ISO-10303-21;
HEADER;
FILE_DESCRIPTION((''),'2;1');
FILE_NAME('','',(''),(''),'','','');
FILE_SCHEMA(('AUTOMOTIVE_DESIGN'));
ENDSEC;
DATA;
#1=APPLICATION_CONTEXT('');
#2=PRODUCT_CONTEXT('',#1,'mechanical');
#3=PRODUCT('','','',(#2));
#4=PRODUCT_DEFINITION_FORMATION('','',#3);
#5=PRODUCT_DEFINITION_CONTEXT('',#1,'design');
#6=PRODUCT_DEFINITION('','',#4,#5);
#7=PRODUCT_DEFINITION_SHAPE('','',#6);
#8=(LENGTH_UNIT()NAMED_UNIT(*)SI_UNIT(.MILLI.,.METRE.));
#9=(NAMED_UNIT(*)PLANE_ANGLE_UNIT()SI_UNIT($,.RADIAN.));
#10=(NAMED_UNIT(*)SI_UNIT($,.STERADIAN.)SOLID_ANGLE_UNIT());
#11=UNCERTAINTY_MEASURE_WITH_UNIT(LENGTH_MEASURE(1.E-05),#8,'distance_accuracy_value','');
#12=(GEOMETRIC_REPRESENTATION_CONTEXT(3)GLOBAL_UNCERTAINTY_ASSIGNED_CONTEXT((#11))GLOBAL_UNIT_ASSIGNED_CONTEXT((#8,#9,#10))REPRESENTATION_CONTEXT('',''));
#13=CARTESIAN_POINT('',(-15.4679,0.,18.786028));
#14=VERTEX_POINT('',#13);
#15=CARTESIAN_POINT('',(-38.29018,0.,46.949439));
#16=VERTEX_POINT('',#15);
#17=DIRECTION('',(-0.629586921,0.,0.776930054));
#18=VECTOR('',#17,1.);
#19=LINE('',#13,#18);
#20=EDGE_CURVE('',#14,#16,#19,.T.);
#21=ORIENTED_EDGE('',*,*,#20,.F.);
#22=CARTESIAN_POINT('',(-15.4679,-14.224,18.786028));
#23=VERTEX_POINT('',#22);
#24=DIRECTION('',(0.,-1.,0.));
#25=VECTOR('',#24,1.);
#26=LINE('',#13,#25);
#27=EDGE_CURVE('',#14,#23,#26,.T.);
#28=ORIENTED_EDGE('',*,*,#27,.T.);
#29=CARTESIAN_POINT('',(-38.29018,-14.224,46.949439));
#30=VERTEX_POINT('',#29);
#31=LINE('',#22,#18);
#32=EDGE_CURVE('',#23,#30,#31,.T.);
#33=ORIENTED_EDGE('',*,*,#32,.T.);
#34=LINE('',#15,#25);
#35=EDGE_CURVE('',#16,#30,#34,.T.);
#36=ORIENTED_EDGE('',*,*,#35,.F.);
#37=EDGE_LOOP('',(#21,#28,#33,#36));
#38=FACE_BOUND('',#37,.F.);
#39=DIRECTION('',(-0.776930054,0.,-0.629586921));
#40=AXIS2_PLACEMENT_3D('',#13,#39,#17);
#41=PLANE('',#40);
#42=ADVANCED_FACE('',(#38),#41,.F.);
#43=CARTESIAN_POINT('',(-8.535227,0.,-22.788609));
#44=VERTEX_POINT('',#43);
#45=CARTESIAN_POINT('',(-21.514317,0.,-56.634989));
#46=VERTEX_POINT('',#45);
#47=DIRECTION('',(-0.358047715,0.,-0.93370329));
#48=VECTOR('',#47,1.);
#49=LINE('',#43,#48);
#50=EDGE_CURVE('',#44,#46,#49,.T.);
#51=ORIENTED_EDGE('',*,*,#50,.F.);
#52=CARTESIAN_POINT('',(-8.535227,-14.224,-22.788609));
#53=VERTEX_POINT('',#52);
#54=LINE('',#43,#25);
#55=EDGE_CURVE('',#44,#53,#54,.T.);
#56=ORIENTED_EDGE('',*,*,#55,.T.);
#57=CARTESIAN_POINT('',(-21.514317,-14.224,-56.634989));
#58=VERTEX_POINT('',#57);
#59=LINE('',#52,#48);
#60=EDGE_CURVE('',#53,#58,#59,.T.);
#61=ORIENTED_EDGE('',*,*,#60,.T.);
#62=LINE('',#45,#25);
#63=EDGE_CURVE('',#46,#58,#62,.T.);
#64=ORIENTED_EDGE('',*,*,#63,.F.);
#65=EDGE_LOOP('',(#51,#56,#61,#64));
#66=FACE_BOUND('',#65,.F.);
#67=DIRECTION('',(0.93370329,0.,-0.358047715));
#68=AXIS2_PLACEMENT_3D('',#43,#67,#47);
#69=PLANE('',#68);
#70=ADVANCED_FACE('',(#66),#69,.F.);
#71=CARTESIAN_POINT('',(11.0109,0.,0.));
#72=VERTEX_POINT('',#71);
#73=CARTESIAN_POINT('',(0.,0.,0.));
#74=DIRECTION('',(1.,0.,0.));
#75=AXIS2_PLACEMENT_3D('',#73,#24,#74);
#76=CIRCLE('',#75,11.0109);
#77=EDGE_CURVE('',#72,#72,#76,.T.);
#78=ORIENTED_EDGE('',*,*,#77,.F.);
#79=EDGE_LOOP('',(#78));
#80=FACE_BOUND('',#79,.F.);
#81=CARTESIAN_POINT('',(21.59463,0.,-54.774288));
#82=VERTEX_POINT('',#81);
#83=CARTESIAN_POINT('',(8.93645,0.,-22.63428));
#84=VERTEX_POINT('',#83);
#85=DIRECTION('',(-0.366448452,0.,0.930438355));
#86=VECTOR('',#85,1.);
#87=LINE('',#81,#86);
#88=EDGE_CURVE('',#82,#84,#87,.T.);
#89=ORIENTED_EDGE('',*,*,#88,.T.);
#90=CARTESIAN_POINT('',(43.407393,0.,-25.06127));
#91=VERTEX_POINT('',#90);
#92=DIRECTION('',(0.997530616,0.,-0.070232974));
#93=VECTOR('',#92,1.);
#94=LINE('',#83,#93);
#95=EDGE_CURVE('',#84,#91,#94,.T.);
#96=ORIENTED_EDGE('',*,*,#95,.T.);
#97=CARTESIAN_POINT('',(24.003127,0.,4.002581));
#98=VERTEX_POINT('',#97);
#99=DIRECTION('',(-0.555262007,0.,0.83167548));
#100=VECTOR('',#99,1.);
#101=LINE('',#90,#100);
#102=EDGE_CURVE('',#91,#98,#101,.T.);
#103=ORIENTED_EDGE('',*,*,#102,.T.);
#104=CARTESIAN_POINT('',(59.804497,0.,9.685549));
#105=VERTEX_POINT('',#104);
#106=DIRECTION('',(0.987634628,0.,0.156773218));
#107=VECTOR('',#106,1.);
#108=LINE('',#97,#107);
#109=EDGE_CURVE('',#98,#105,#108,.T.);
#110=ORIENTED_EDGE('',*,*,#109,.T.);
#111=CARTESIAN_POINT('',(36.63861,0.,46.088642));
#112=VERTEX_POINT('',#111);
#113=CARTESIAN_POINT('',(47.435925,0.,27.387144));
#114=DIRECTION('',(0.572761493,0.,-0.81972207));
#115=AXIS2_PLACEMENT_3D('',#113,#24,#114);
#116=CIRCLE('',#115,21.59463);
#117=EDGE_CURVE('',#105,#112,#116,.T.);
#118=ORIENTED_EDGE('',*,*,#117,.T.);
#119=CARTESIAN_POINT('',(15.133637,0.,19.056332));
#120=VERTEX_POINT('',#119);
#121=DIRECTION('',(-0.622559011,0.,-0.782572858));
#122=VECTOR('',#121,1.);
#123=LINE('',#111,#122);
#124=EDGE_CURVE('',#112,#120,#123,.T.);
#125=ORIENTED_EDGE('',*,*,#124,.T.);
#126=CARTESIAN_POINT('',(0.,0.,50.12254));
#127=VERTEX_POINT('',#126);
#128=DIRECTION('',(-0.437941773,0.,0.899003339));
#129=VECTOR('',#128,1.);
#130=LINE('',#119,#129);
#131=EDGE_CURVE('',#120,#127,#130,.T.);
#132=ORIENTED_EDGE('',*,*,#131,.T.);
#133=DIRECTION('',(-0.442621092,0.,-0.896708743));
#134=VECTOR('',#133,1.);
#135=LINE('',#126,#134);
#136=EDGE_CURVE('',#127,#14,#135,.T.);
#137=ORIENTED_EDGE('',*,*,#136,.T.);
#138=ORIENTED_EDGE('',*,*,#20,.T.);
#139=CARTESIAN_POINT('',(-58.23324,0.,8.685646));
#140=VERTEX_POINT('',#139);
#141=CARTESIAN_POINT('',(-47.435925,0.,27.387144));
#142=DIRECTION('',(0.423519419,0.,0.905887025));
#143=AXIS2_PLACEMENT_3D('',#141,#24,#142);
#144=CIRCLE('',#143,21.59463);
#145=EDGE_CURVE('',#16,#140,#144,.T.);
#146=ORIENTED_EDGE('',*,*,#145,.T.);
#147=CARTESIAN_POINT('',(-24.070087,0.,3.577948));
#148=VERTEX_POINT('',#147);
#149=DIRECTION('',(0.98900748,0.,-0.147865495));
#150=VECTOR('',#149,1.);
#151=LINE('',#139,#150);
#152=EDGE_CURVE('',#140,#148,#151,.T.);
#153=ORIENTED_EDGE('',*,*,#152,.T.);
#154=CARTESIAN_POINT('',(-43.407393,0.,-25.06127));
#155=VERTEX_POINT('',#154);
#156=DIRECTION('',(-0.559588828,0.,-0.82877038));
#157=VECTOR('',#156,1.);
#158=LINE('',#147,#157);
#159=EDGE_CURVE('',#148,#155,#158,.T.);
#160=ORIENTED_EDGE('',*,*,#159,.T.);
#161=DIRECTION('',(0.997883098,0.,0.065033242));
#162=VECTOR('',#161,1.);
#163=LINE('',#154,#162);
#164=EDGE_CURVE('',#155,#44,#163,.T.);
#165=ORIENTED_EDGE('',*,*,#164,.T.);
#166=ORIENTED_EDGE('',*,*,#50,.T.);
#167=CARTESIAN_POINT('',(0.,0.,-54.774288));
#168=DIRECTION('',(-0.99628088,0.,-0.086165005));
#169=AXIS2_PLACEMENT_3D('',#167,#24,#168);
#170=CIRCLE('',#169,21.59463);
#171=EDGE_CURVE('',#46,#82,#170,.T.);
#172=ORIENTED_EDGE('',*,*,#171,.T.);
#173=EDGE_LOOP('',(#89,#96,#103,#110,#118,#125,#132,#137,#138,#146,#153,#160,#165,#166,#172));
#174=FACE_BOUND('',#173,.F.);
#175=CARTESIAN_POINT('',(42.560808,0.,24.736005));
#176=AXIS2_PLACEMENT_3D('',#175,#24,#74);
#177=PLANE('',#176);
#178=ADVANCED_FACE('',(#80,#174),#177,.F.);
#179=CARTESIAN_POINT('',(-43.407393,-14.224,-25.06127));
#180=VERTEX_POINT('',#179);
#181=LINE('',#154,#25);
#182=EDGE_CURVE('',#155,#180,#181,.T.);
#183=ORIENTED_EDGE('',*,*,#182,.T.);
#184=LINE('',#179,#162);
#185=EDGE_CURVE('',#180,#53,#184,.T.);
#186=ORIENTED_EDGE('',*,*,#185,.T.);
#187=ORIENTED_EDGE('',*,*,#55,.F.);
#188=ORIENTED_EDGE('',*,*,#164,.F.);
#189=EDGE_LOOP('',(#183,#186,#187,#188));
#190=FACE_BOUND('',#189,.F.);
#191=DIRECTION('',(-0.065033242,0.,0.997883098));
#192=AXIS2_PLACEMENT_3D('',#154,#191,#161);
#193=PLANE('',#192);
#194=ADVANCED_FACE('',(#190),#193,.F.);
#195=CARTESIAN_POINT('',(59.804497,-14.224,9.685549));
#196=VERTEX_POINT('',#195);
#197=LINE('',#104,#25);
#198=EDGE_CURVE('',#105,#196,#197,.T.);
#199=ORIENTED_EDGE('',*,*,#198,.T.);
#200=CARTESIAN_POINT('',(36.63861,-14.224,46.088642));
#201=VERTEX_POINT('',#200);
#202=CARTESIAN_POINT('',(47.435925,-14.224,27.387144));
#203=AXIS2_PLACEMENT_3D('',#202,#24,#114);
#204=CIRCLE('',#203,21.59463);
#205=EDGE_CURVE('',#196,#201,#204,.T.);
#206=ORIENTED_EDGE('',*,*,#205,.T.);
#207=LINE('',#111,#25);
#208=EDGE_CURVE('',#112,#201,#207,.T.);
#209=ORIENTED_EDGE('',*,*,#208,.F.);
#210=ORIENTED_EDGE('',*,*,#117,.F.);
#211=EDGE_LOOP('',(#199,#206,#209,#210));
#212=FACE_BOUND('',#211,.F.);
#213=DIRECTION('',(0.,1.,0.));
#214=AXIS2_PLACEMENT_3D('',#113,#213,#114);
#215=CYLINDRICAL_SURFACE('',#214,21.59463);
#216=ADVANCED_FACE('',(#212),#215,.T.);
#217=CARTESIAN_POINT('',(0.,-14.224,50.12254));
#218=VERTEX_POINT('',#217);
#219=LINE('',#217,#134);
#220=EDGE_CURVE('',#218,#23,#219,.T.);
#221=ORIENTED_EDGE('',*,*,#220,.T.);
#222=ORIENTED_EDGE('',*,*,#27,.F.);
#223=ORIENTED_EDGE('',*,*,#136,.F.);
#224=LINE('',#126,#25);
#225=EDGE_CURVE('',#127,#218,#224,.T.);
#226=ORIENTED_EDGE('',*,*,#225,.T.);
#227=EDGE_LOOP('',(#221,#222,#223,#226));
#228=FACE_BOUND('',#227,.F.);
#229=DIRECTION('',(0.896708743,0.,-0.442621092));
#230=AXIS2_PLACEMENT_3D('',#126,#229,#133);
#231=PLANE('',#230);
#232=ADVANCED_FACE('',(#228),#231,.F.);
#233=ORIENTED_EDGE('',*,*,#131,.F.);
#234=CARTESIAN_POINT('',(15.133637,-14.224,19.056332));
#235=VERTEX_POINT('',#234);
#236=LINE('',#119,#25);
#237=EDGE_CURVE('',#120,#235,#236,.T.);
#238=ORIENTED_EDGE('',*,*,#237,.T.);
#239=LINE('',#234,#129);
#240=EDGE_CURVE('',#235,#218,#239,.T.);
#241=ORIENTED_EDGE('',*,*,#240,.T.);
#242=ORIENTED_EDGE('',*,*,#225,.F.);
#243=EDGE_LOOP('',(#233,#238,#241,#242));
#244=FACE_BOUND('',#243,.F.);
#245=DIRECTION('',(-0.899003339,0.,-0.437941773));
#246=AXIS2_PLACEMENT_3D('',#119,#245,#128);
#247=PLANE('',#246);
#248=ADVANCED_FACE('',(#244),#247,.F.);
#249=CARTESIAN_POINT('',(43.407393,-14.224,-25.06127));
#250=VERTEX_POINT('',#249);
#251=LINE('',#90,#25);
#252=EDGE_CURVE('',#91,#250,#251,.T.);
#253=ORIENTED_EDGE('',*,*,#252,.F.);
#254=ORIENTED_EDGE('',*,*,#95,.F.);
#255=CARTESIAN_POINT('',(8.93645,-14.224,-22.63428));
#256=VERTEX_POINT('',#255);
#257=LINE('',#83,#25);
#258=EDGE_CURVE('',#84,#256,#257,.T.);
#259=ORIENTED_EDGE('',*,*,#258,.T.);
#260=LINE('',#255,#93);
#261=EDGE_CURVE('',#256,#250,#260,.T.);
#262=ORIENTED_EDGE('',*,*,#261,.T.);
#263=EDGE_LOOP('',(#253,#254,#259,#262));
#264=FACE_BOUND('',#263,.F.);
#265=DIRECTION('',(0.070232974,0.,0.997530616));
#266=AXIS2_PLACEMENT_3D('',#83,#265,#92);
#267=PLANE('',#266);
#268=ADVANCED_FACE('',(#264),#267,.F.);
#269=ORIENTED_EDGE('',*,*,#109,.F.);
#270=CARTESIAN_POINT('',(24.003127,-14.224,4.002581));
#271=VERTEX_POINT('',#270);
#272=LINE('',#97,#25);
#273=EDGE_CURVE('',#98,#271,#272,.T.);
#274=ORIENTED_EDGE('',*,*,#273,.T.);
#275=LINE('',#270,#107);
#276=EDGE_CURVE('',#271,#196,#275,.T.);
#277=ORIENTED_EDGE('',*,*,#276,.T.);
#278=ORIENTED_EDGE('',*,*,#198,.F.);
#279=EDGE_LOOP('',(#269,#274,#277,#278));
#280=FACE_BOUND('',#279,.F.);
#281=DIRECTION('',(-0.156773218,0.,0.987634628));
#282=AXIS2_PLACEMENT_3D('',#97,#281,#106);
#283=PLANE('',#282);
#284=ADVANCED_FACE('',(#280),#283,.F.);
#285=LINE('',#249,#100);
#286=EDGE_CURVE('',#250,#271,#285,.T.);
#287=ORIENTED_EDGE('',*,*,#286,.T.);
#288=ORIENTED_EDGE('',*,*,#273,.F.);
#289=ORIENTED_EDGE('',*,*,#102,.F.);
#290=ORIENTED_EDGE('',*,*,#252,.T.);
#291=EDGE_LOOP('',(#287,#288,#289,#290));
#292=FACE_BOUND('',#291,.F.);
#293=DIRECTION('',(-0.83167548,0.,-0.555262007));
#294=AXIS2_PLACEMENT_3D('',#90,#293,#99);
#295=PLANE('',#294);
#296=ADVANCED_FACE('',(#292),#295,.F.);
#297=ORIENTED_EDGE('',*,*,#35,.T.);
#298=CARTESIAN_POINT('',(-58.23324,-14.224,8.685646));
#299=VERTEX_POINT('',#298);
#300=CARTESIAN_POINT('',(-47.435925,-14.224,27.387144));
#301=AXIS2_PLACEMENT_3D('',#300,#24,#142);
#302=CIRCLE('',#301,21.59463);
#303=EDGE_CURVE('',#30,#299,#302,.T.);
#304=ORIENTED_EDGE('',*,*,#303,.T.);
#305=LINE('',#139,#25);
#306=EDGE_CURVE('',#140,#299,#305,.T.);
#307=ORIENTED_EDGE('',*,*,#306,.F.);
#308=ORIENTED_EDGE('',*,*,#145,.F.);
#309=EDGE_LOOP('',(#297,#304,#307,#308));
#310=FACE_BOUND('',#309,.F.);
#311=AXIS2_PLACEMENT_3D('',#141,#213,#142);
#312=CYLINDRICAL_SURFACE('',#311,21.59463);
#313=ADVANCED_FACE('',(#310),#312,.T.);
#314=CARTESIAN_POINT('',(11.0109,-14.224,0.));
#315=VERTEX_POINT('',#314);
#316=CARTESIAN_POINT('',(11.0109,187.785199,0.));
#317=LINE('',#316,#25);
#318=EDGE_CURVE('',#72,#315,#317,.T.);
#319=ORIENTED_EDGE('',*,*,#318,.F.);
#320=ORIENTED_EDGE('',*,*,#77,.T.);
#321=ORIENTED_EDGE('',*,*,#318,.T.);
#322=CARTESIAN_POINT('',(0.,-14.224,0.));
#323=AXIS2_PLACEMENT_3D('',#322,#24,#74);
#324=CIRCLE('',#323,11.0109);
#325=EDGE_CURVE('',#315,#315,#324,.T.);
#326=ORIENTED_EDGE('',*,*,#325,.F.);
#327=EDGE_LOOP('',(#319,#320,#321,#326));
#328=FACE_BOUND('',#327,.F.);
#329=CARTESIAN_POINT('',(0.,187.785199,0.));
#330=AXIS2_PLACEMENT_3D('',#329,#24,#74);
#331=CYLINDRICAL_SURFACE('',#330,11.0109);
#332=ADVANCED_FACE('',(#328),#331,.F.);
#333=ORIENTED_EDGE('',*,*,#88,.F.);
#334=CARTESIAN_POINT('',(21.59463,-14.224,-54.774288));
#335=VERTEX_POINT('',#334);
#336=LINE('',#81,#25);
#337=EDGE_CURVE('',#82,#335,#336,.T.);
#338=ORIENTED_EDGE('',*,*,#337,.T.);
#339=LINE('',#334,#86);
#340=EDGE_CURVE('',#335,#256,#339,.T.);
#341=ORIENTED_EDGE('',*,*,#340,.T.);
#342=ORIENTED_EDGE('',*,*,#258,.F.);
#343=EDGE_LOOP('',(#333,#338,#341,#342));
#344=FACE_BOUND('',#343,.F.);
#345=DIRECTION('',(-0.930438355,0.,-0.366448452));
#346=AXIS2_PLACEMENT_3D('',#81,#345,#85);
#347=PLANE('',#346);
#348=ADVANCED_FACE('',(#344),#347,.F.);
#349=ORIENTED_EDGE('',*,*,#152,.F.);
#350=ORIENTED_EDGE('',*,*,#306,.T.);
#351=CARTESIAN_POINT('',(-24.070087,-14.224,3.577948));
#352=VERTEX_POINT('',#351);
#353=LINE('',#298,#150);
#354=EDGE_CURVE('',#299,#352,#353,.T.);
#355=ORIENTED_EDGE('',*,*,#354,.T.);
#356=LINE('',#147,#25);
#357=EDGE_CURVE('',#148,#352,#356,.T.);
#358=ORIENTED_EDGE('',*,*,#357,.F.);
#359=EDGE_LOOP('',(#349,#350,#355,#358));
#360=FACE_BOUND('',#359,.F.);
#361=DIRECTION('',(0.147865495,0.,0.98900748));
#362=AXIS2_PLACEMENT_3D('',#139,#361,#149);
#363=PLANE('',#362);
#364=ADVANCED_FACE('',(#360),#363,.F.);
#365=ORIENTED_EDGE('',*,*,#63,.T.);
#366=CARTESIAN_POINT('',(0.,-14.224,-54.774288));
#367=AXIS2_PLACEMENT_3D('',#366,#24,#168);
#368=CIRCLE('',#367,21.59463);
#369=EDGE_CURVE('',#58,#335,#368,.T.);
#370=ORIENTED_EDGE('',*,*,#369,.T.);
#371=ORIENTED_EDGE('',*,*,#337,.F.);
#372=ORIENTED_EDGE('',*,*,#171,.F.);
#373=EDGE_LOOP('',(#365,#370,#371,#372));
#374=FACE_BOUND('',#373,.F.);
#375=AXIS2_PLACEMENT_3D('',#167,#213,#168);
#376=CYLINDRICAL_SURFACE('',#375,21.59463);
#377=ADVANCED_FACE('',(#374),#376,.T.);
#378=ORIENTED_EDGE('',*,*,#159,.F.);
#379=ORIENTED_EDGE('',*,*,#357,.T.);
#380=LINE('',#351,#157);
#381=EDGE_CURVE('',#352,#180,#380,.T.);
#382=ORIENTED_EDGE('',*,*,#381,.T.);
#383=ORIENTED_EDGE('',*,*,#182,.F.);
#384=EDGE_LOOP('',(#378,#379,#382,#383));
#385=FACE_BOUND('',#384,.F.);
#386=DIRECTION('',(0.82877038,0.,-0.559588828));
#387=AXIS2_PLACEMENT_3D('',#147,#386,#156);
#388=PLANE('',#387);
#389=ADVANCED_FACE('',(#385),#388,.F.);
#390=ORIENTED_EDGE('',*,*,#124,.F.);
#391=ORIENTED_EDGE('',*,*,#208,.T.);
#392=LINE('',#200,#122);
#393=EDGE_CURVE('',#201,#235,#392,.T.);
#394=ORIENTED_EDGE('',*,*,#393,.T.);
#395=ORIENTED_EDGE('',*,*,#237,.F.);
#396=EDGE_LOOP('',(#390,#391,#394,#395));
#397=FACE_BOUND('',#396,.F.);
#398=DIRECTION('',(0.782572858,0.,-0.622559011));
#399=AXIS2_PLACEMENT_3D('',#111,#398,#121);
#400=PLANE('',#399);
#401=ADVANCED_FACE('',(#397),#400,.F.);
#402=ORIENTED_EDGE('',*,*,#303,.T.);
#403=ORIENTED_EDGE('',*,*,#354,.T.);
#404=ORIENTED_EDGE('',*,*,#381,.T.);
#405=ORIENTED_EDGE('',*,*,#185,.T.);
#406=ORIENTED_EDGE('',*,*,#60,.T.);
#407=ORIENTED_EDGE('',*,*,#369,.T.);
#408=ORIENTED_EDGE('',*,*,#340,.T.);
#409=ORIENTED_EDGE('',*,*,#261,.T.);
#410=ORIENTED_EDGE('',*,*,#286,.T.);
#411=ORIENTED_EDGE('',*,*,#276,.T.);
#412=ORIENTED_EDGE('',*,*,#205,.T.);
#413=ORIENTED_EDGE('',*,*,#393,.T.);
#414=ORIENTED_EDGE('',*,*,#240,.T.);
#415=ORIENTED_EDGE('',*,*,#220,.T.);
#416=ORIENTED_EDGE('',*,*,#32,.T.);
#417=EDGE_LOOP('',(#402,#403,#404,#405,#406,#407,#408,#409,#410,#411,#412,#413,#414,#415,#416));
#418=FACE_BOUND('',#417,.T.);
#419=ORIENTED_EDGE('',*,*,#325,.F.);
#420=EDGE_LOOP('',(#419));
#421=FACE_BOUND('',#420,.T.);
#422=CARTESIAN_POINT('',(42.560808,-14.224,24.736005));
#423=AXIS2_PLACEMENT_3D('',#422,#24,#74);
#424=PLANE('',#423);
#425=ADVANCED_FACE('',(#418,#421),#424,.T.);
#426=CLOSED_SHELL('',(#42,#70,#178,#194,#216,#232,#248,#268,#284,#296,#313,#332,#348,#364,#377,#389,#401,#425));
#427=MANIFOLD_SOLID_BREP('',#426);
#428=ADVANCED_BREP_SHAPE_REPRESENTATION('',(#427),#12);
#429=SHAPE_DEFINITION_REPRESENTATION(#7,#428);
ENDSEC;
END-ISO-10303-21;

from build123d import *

# Parameters (mm, degrees)
F2_DEPTH = 14.224
F4_D     = 22.0218


with BuildPart() as f2:
    # F0 (on Front) → F2 (new body)
    with BuildSketch(Plane.XZ):
        with BuildLine():
            ThreePointArc((21.074347, 12.16728), (22.905463, 8.21648), (24.003127, 4.002581))
            Line((24.003127, 4.002581), (59.804497, 9.685549))
            ThreePointArc((59.804497, 9.685549), (65.654418, 38.980872), (36.63861, 46.088642))
            Line((36.63861, 46.088642), (15.133637, 19.056332))
            ThreePointArc((15.133637, 19.056332), (18.428762, 15.891869), (21.074347, 12.16728))
        make_face()
        with BuildLine():
            ThreePointArc((24.003127, 4.002581), (24.25156, 2.00814), (24.334559, 0))
            ThreePointArc((24.334559, 0), (20.120081, -13.687699), (8.93645, -22.63428))
            Line((8.93645, -22.63428), (43.407393, -25.06127))
            Line((43.407393, -25.06127), (24.003127, 4.002581))
        make_face()
        with BuildLine():
            ThreePointArc((8.93645, -22.63428), (20.120081, -13.687699), (24.334559, 0))
            ThreePointArc((24.334559, 0), (24.25156, 2.00814), (24.003127, 4.002581))
            Line((24.003127, 4.002581), (0, 0))
            Line((0, 0), (8.93645, -22.63428))
        make_face()
        with BuildLine():
            Line((-15.4679, 18.786028), (0, 0))
            Line((0, 0), (15.133637, 19.056332))
            ThreePointArc((15.133637, 19.056332), (-0.21494, 24.33361), (-15.4679, 18.786028))
        make_face()
        with BuildLine():
            Line((-24.070087, 3.577948), (0, 0))
            Line((0, 0), (-21.074347, 12.16728))
            ThreePointArc((-21.074347, 12.16728), (-22.977143, 8.013842), (-24.070087, 3.577948))
        make_face()
        with BuildLine():
            Line((-21.074347, 12.16728), (0, 0))
            Line((0, 0), (-15.4679, 18.786028))
            ThreePointArc((-15.4679, 18.786028), (-18.568412, 15.728473), (-21.074347, 12.16728))
        make_face()
        with BuildLine():
            ThreePointArc((0, -24.334559), (4.548381, -23.905711), (8.93645, -22.63428))
            Line((8.93645, -22.63428), (0, 0))
            Line((0, 0), (0, -24.334559))
        make_face()
        with BuildLine():
            Line((0, 0), (24.003127, 4.002581))
            ThreePointArc((24.003127, 4.002581), (22.905463, 8.21648), (21.074347, 12.16728))
            Line((21.074347, 12.16728), (0, 0))
        make_face()
        with BuildLine():
            Line((21.59463, -54.774288), (8.93645, -22.63428))
            ThreePointArc((8.93645, -22.63428), (4.548381, -23.905711), (0, -24.334559))
            ThreePointArc((0, -24.334559), (-4.337052, -23.944953), (-8.535227, -22.788609))
            Line((-8.535227, -22.788609), (-21.514317, -56.634989))
            ThreePointArc((-21.514317, -56.634989), (0.931217, -76.34883), (21.59463, -54.774288))
        make_face()
        with BuildLine():
            Line((-58.23324, 8.685646), (-24.070087, 3.577948))
            ThreePointArc((-24.070087, 3.577948), (-22.977143, 8.013842), (-21.074347, 12.16728))
            ThreePointArc((-21.074347, 12.16728), (-18.568412, 15.728473), (-15.4679, 18.786028))
            Line((-15.4679, 18.786028), (-38.29018, 46.949439))
            ThreePointArc((-38.29018, 46.949439), (-66.585635, 37.367958), (-58.23324, 8.685646))
        make_face()
        with BuildLine():
            ThreePointArc((-15.4679, 18.786028), (-0.21494, 24.33361), (15.133637, 19.056332))
            Line((15.133637, 19.056332), (0, 50.12254))
            Line((0, 50.12254), (-15.4679, 18.786028))
        make_face()
        with BuildLine():
            Line((0, -24.334559), (0, 0))
            Line((0, 0), (-8.535227, -22.788609))
            ThreePointArc((-8.535227, -22.788609), (-4.337052, -23.944953), (0, -24.334559))
        make_face()
        with BuildLine():
            Line((0, 0), (21.074347, 12.16728))
            ThreePointArc((21.074347, 12.16728), (18.428762, 15.891869), (15.133637, 19.056332))
            Line((15.133637, 19.056332), (0, 0))
        make_face()
        with BuildLine():
            Line((-8.535227, -22.788609), (0, 0))
            Line((0, 0), (-24.070087, 3.577948))
            ThreePointArc((-24.070087, 3.577948), (-20.966055, -12.352948), (-8.535227, -22.788609))
        make_face()
        with BuildLine():
            Line((-43.407393, -25.06127), (-8.535227, -22.788609))
            ThreePointArc((-8.535227, -22.788609), (-20.966055, -12.352948), (-24.070087, 3.577948))
            Line((-24.070087, 3.577948), (-43.407393, -25.06127))
        make_face()
    extrude(amount=F2_DEPTH)

    # F4 (through all)
    with Locations(Plane(origin=(0, 0, 0), x_dir=(-1, 0, 0), z_dir=(0, 1, 0))):
        with Locations((0, 0)):
            Hole(F4_D / 2)


solid = f2.part
